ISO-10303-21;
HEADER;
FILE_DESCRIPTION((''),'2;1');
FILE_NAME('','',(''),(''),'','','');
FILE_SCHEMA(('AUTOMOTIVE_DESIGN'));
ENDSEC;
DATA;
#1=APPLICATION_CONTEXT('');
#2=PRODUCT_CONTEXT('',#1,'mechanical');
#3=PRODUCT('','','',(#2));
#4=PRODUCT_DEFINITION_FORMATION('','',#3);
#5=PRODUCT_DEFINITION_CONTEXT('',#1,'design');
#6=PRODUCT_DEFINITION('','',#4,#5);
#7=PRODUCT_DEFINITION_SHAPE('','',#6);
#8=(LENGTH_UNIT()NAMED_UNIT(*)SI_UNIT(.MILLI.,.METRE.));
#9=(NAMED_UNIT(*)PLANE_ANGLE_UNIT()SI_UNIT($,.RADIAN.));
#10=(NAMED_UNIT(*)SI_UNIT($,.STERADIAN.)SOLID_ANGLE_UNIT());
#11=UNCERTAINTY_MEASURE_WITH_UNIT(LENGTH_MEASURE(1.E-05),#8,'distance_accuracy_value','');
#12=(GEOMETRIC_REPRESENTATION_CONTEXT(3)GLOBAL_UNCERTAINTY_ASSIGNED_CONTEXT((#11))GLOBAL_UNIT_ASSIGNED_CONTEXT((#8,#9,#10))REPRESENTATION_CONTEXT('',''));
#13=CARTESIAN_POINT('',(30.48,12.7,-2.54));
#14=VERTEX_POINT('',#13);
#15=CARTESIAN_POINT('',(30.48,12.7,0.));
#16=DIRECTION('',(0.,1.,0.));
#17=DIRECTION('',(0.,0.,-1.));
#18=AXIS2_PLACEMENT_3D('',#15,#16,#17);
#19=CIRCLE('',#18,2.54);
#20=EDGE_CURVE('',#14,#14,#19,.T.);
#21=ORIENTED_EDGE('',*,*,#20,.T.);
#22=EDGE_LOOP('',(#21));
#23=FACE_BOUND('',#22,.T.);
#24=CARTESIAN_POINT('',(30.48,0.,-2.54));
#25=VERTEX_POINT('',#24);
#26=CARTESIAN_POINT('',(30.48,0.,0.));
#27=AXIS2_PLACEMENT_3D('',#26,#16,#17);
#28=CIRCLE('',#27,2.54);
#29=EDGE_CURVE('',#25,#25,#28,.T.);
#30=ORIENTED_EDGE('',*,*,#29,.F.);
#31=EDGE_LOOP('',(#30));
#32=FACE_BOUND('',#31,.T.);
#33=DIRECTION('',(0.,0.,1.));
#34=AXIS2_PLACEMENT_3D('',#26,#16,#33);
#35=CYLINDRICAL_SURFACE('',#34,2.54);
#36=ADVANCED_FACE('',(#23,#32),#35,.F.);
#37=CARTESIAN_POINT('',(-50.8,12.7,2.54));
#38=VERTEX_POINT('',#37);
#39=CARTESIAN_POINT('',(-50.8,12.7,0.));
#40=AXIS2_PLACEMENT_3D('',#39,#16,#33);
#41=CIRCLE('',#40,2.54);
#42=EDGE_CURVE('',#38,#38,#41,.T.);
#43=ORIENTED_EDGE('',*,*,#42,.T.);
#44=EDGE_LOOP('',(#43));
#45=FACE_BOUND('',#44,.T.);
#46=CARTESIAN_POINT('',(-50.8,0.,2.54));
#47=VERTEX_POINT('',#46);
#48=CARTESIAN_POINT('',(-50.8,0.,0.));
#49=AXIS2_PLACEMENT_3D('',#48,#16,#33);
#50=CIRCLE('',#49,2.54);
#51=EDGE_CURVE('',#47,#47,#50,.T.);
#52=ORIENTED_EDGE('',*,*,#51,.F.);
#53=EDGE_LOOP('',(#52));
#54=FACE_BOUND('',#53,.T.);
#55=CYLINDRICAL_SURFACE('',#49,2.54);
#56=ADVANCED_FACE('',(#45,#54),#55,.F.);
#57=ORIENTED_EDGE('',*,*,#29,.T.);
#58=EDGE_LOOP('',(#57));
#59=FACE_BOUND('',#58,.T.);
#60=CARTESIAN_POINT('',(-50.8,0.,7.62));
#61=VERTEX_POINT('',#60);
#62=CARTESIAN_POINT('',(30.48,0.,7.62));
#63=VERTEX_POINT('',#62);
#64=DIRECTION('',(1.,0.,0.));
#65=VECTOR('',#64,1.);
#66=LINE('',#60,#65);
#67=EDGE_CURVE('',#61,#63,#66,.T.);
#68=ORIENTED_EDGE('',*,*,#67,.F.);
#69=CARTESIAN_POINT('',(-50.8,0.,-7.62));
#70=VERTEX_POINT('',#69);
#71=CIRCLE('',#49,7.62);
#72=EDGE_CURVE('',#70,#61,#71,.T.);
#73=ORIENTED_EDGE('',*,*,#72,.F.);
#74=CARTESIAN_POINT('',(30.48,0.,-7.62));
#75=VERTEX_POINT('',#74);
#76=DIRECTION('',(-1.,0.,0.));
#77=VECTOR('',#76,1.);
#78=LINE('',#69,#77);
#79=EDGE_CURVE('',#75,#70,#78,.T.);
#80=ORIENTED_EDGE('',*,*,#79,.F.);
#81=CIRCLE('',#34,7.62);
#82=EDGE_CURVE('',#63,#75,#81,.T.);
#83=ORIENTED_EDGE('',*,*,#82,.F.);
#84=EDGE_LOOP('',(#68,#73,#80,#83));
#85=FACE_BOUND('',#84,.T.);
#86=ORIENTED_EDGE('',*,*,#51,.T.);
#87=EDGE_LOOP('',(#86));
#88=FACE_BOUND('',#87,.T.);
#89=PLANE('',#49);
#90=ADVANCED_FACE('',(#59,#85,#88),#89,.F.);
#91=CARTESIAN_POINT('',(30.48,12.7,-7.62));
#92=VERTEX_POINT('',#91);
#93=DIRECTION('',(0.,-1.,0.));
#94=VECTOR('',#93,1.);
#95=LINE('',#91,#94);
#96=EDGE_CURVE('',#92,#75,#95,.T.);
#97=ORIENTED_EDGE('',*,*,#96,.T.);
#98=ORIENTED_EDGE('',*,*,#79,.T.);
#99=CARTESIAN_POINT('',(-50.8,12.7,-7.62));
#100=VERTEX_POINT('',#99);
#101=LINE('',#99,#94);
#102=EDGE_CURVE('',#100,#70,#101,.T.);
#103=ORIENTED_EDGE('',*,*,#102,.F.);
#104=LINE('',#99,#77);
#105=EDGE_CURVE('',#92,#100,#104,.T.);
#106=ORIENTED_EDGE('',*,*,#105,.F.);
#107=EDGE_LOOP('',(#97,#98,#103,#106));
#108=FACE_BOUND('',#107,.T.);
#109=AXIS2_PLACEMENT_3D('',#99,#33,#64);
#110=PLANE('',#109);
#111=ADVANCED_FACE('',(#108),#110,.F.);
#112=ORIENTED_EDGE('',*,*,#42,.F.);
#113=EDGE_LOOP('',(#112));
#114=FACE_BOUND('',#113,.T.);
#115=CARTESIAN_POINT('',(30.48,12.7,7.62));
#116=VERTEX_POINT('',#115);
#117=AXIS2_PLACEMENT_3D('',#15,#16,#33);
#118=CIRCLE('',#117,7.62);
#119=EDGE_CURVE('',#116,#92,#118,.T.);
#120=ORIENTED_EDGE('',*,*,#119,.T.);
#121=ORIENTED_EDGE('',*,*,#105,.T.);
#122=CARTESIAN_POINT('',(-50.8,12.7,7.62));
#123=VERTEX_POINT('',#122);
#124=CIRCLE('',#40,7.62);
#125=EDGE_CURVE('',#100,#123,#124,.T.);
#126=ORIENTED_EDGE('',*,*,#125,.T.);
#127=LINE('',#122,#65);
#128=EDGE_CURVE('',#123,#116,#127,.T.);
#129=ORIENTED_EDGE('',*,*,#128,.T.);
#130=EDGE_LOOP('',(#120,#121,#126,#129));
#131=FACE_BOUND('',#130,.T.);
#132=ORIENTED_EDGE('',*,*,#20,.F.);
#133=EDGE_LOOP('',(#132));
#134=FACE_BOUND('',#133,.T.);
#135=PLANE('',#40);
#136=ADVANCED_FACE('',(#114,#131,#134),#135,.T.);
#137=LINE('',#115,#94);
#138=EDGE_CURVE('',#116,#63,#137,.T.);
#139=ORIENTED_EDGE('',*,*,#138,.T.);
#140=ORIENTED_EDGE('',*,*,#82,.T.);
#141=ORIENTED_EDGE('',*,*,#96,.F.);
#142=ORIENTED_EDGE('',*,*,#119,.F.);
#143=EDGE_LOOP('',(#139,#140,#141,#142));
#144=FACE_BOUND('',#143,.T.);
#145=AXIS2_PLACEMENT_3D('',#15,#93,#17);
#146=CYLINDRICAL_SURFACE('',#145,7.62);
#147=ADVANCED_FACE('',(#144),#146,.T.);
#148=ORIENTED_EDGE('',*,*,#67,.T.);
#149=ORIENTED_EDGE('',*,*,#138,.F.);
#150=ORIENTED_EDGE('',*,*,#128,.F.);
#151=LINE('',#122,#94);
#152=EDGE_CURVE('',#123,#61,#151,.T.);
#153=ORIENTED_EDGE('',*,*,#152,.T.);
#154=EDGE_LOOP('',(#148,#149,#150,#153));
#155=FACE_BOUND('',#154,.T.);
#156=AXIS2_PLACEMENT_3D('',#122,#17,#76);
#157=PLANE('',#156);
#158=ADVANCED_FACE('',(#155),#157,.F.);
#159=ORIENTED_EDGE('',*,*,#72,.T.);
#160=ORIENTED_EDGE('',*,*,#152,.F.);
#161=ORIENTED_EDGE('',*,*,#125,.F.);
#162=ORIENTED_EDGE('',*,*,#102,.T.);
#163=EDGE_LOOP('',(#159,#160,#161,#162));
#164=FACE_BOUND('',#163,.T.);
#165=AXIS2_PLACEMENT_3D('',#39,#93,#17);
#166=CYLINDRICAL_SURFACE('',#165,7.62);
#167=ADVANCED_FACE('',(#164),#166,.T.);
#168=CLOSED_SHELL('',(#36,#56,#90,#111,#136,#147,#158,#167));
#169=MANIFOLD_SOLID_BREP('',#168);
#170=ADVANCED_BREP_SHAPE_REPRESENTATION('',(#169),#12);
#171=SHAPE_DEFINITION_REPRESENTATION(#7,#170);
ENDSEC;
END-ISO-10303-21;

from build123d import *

# Parameters (mm, degrees)
BOSS_EXTRUDE1_DEPTH = 12.7
SKETCH4_R           = 2.54
CUT_EXTRUDE3_DEPTH  = 61.26815743


with BuildPart() as part:
    # Sketch3 → Boss-Extrude1 (new body)
    with BuildSketch(Plane(origin=(0, 0, 0), x_dir=(1, 0, 0), z_dir=(0, 1, 0))):
        with BuildLine():
            Line((-50.8, 7.62), (30.48, 7.62))
            ThreePointArc((30.48, 7.62), (38.1, 0), (30.48, -7.62))
            Line((30.48, -7.62), (-50.8, -7.62))
            ThreePointArc((-50.8, -7.62), (-58.42, 0), (-50.8, 7.62))
        make_face()
    extrude(amount=BOSS_EXTRUDE1_DEPTH)

    # Sketch4 → Cut-Extrude3 (cut, through all)
    with BuildSketch(Plane(origin=(0, 12.7, 0), x_dir=(1, 0, 0), z_dir=(0, 1, 0))):
        with Locations(Location((-50.8, 0, 0), (0, 0, 270))):
            Circle(SKETCH4_R)
        with Locations(Location((30.48, 0, 0), (0, 0, 90))):
            Circle(SKETCH4_R)
    extrude(amount=-CUT_EXTRUDE3_DEPTH, mode=Mode.SUBTRACT)


solid = part.part
